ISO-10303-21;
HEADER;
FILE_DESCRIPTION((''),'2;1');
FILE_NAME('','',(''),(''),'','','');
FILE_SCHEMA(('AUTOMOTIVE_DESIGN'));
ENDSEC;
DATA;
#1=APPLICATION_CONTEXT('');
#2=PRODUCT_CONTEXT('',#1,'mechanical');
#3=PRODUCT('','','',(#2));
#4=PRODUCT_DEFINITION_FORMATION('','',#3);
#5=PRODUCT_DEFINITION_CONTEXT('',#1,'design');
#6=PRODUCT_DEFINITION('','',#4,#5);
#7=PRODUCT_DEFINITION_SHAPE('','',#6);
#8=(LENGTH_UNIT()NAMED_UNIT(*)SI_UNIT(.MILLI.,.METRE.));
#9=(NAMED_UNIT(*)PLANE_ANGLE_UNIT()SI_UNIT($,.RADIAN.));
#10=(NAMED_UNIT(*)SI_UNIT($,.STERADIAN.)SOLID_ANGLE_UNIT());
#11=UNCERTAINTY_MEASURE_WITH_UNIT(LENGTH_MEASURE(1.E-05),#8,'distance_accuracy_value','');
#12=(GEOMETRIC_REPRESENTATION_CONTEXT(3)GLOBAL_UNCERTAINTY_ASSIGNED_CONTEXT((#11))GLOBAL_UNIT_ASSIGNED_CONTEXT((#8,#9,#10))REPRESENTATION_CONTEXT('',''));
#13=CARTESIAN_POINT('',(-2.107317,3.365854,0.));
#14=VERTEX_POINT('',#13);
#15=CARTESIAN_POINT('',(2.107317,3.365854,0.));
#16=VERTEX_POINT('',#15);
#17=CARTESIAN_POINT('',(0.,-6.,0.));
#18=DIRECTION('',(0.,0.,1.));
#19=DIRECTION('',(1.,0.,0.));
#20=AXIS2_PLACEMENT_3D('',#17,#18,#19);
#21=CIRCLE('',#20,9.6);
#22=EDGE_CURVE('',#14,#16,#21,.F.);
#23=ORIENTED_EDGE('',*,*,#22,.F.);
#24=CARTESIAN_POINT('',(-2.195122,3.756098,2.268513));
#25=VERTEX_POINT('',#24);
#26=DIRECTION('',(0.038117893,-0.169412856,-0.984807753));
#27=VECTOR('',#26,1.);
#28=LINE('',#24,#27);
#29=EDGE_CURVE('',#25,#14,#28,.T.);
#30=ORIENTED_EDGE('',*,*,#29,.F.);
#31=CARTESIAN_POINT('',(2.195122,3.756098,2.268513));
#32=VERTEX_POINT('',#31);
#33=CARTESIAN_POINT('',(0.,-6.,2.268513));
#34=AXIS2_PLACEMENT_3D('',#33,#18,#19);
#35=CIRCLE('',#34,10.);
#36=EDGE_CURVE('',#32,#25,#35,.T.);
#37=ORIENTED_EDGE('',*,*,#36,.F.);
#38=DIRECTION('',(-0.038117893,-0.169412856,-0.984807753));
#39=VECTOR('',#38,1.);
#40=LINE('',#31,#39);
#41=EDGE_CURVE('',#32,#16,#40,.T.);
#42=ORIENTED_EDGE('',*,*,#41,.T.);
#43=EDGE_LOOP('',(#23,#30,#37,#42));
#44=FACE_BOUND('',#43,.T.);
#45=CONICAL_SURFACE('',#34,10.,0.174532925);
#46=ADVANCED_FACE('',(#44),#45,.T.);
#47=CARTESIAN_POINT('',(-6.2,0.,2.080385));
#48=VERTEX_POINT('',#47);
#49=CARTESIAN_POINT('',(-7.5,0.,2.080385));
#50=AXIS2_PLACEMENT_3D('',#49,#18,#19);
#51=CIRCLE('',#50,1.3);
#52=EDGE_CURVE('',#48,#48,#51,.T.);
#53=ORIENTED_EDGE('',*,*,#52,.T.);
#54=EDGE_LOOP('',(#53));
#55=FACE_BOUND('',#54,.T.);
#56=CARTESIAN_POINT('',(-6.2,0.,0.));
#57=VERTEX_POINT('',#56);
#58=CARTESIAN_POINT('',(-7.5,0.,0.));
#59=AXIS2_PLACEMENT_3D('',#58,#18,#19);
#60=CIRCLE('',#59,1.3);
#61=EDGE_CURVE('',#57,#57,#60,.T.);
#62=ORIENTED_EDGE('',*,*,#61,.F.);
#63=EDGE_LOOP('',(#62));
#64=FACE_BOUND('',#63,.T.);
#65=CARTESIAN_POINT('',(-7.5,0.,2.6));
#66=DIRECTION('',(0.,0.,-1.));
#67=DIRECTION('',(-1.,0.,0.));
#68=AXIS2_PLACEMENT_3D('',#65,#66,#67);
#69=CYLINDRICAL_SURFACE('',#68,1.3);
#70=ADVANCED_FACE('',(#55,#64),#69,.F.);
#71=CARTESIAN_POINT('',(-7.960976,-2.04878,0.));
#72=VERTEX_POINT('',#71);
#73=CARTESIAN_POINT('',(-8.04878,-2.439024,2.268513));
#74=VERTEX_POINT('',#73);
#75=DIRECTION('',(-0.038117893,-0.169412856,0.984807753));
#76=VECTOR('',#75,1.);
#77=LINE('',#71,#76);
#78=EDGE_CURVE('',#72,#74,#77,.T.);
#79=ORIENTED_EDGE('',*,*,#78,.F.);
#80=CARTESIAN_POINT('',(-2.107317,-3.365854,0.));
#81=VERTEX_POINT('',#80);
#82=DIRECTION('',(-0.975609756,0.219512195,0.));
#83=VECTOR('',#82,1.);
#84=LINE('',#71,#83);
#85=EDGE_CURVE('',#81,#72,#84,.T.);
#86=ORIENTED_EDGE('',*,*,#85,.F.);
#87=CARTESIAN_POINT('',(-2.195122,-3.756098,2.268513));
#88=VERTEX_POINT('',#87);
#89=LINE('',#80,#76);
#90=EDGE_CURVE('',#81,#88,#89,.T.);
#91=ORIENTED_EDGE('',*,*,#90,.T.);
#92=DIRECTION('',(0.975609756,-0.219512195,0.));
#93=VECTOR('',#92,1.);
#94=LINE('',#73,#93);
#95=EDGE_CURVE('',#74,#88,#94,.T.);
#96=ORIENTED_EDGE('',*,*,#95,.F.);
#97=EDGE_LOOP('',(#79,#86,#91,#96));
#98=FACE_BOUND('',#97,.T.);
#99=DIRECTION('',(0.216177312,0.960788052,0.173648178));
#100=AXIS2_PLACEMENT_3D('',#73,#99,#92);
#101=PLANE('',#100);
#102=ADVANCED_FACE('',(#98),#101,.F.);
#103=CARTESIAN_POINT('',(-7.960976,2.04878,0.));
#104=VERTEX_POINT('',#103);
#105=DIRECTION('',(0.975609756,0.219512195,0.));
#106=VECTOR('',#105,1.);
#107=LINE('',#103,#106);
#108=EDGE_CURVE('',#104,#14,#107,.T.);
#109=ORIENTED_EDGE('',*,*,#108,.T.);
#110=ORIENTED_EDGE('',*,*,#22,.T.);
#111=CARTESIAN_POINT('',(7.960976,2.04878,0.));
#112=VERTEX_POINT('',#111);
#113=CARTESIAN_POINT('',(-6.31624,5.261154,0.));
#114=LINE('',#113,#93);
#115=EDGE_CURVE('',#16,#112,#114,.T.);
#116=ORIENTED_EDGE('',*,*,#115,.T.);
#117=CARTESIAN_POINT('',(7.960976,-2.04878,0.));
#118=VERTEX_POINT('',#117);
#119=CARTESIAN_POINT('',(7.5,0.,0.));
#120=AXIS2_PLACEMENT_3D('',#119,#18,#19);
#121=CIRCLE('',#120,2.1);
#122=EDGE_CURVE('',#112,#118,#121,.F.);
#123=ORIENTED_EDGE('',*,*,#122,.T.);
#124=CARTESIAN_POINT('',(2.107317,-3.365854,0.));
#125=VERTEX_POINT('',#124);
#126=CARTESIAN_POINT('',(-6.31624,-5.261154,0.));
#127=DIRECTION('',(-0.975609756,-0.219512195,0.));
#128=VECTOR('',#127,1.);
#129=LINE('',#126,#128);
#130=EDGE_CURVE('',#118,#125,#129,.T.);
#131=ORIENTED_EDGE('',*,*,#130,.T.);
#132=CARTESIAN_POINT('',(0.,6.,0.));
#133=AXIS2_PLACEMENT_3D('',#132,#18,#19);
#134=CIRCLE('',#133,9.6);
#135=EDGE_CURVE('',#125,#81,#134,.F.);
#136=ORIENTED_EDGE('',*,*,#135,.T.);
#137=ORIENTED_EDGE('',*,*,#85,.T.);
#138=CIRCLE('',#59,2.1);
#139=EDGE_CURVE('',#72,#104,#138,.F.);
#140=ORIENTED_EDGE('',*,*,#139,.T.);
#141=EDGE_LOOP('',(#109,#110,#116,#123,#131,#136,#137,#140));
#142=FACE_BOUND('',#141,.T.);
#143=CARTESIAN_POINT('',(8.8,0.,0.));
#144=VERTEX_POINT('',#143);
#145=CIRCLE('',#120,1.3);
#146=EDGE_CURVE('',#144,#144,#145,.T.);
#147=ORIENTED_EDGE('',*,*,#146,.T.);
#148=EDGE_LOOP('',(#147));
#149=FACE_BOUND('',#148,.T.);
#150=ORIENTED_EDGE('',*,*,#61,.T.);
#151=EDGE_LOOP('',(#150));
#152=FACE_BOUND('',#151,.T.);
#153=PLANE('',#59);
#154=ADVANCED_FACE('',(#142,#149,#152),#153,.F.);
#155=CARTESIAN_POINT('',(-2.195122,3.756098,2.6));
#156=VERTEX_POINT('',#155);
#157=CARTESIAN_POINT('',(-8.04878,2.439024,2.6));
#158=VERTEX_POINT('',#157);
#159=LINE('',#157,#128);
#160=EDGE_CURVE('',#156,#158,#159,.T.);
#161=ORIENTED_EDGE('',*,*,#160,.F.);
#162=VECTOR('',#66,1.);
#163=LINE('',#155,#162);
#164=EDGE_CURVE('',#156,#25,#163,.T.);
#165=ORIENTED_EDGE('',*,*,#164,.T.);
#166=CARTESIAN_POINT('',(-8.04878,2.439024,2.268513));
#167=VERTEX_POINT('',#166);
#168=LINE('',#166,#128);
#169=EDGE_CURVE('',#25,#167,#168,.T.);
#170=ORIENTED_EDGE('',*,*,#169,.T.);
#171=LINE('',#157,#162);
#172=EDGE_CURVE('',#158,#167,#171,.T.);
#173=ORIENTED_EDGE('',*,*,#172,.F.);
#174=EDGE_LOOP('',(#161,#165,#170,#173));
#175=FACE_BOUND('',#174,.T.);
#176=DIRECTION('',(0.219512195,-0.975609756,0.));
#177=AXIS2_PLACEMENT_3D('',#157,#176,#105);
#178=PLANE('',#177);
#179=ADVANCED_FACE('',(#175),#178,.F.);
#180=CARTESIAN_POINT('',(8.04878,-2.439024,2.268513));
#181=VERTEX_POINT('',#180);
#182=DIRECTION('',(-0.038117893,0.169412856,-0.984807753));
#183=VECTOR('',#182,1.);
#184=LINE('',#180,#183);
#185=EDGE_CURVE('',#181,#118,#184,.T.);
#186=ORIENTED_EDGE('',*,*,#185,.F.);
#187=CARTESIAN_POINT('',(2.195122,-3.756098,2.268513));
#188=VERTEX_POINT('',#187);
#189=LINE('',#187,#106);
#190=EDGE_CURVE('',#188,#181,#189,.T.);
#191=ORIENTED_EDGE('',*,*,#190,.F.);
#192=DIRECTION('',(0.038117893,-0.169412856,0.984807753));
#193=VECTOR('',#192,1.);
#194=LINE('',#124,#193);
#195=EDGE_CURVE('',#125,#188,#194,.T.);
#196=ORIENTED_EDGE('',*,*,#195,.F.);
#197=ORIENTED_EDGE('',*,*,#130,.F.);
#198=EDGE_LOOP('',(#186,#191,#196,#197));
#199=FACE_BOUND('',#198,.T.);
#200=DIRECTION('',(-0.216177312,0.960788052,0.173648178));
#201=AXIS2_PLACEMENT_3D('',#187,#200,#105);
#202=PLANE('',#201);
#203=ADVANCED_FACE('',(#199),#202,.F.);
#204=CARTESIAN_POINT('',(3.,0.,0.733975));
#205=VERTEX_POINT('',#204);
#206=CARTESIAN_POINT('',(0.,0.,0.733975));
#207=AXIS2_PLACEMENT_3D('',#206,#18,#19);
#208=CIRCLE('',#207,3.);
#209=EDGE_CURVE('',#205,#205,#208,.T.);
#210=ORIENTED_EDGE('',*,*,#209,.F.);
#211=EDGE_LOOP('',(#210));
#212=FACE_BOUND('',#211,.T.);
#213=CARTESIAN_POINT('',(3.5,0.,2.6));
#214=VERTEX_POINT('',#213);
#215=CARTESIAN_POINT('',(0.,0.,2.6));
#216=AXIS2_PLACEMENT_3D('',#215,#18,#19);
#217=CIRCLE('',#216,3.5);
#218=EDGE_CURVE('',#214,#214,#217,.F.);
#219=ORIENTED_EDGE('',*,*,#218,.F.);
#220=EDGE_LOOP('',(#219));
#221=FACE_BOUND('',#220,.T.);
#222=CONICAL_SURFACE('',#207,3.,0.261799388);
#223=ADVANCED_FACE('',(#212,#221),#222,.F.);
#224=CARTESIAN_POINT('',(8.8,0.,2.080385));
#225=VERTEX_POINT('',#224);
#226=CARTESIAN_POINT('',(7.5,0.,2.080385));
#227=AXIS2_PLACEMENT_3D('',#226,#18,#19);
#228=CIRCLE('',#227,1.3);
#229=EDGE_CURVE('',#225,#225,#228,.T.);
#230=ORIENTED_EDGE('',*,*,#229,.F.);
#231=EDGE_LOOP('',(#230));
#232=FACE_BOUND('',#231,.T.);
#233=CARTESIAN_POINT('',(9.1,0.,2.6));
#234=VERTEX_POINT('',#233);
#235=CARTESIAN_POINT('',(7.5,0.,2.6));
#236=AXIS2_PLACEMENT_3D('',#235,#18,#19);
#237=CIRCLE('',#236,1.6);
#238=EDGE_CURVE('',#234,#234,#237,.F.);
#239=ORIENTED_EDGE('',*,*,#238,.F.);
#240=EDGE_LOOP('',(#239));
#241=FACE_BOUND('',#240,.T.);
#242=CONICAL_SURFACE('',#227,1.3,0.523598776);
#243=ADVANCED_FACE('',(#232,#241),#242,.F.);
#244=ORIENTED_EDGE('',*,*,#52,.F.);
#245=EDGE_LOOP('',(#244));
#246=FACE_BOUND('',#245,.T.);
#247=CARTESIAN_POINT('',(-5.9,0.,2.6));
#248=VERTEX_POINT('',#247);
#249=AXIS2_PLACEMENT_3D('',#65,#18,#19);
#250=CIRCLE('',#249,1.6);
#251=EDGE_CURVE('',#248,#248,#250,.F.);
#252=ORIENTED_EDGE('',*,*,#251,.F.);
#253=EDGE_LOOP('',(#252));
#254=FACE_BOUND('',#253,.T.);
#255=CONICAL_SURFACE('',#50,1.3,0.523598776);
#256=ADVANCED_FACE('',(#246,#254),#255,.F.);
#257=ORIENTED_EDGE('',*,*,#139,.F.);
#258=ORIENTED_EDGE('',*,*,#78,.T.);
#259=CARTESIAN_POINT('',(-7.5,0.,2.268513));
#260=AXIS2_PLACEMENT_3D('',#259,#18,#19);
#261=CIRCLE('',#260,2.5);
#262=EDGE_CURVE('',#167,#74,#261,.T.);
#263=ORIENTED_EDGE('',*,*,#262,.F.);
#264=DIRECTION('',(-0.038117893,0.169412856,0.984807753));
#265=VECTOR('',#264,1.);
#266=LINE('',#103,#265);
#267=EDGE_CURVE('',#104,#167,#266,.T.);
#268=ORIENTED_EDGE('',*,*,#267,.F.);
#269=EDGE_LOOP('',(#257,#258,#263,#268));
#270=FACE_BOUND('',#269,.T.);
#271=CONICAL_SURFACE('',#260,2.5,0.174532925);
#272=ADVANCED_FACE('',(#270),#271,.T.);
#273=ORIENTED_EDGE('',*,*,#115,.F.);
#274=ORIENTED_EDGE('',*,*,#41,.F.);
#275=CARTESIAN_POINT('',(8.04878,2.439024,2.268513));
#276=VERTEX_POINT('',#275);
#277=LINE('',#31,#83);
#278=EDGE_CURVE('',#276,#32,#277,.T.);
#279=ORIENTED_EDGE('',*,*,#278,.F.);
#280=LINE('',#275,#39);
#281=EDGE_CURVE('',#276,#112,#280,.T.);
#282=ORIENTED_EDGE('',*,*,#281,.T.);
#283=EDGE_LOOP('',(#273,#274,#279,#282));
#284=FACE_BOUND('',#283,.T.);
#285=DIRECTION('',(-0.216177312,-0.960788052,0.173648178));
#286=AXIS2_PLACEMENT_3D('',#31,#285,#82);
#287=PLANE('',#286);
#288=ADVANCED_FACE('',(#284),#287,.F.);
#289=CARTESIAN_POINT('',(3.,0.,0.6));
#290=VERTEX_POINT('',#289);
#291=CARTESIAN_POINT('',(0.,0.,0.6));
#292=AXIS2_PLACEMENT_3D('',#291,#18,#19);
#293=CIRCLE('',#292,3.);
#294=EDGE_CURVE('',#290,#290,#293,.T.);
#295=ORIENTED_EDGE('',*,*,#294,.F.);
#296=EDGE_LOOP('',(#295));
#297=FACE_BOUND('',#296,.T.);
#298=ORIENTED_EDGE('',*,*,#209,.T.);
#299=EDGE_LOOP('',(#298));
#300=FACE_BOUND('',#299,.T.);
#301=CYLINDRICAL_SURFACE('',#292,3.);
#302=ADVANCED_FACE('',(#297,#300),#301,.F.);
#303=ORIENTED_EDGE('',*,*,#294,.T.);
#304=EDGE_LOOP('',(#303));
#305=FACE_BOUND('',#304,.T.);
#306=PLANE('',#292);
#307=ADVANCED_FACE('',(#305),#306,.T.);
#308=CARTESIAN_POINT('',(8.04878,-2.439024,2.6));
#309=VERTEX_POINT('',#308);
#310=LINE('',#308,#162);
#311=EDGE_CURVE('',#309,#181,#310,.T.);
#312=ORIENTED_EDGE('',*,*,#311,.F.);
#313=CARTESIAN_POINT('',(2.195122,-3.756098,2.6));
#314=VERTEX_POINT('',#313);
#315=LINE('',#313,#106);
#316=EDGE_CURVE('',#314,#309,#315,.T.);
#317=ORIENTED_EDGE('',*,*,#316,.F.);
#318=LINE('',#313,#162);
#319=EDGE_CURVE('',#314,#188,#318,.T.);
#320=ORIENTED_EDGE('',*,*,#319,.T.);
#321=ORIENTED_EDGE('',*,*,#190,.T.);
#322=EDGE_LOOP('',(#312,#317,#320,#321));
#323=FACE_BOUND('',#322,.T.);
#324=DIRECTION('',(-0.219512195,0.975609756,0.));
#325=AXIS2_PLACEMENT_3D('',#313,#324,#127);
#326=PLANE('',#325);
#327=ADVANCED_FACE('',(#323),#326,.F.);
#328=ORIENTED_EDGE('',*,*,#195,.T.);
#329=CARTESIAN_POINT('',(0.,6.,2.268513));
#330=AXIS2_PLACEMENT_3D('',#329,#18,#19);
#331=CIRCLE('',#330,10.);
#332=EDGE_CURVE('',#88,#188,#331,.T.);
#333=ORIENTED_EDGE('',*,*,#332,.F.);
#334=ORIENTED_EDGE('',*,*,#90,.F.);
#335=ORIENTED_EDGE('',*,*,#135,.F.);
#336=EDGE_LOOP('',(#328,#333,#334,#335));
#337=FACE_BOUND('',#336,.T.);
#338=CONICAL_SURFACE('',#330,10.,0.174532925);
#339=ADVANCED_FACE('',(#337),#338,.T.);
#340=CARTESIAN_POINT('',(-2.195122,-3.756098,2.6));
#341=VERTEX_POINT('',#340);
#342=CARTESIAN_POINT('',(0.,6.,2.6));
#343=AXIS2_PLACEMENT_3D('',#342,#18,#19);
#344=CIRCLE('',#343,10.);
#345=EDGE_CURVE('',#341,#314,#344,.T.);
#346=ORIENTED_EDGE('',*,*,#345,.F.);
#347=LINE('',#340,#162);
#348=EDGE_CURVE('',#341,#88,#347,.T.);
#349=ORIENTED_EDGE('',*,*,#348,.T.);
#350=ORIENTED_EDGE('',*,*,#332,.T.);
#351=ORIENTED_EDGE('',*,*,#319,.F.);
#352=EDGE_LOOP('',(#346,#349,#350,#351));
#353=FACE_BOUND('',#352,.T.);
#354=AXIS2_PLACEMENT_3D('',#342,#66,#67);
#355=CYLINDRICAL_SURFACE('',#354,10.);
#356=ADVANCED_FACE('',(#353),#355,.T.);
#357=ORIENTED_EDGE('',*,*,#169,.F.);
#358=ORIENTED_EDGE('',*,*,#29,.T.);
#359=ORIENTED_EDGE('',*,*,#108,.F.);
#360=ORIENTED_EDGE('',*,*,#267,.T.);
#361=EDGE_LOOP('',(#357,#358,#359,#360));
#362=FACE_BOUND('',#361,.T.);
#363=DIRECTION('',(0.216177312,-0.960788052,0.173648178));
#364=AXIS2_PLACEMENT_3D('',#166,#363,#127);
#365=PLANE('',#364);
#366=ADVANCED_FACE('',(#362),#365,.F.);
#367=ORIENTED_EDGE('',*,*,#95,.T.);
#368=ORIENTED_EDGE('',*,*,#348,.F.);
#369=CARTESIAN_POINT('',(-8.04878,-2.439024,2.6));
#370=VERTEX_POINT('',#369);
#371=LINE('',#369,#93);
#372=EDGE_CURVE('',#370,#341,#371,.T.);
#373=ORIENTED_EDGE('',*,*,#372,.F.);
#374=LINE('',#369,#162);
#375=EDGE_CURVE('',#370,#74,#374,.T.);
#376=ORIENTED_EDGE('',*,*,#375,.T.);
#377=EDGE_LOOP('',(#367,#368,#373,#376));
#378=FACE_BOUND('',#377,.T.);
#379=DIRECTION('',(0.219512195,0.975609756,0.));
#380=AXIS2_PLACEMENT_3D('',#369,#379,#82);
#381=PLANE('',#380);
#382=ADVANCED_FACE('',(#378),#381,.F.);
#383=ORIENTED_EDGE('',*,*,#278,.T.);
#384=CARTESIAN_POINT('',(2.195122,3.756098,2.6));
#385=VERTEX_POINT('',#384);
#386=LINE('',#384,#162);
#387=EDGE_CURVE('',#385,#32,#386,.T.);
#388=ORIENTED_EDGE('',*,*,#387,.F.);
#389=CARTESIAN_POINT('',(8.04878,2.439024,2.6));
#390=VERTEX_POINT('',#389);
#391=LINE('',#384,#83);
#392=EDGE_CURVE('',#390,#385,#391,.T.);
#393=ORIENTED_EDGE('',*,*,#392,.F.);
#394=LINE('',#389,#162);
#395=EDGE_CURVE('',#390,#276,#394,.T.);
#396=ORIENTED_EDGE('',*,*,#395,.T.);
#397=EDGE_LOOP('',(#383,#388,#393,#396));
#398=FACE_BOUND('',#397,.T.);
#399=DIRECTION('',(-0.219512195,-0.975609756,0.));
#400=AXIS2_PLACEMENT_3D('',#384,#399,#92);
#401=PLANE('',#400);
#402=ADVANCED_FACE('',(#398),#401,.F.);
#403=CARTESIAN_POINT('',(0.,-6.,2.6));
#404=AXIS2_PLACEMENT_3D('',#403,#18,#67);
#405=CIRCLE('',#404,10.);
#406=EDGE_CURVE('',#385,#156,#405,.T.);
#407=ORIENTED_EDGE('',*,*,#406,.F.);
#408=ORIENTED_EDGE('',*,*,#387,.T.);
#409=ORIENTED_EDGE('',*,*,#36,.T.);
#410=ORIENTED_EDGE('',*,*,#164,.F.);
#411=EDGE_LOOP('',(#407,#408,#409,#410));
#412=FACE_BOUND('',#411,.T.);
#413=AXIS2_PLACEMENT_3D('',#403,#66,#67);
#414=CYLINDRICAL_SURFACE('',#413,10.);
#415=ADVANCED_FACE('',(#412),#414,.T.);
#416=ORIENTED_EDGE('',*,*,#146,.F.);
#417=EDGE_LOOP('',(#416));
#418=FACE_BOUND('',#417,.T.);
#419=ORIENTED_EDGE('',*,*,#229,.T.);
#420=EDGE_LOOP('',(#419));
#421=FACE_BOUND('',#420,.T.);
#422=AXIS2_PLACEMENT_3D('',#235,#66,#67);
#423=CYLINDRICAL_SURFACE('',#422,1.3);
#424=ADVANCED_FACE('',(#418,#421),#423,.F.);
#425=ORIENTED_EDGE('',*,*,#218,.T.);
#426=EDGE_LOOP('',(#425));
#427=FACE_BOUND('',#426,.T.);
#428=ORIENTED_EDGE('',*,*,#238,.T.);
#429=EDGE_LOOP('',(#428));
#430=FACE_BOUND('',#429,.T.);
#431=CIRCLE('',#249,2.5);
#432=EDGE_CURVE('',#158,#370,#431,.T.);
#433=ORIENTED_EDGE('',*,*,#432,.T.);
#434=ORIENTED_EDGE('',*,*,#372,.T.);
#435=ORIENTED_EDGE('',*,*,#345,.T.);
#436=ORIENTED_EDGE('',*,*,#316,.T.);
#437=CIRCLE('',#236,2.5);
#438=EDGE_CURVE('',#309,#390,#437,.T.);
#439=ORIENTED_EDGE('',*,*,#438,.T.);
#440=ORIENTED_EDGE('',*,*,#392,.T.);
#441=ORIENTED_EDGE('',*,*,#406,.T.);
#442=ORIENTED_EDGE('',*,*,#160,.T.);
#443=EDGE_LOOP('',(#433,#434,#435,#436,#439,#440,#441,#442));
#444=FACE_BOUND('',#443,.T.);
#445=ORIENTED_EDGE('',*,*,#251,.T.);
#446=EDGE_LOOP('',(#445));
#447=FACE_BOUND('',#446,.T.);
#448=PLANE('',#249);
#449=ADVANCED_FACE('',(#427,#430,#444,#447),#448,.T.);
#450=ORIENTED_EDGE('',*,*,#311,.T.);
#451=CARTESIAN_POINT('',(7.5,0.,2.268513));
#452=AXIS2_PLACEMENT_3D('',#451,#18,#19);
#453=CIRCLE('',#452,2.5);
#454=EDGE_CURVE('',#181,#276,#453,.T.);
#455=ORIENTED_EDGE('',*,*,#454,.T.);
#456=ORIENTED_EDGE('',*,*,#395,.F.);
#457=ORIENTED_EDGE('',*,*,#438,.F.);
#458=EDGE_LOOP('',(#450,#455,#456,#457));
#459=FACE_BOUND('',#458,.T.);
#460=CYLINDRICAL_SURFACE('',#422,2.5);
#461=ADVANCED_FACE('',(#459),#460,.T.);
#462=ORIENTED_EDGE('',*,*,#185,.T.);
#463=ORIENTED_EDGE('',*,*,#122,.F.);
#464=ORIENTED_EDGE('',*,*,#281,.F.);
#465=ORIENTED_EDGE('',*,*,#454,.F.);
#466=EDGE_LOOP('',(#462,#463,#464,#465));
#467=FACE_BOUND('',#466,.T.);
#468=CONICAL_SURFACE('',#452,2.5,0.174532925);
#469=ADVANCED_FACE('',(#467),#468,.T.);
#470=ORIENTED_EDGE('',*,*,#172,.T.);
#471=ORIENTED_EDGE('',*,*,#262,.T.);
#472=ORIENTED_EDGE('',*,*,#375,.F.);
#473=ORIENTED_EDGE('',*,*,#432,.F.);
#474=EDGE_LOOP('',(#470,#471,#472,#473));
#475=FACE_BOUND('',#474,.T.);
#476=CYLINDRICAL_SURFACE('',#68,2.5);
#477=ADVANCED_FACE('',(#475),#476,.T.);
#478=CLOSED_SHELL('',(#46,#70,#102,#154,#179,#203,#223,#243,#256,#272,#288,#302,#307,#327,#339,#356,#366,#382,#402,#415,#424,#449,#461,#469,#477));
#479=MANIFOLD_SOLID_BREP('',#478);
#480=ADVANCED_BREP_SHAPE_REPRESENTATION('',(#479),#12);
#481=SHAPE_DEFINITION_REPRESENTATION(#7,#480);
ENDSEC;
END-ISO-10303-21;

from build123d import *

# Parameters (mm, degrees)
SKETCH1_R           = 1.3
BOSS_EXTRUDE1_DEPTH = 2.6
SKETCH2_R           = 3
CUT_EXTRUDE1_DEPTH  = 2
CHAMFER1_SIZE       = 0.4
CHAMFER1_SIZE2      = 2.268512728
CHAMFER2_SIZE       = 0.5
CHAMFER2_SIZE2      = 1.866025404
CHAMFER3_SIZE       = 0.3
CHAMFER3_SIZE2      = 0.519615242


with BuildPart() as part:
    # Sketch1 → Boss-Extrude1 (new body)
    with BuildSketch(Plane.XY):
        with BuildLine():
            Line((-8.048780488, 2.43902439), (-2.195121951, 3.756097561))
            ThreePointArc((-2.195121951, 3.756097561), (0, 4), (2.195121951, 3.756097561))
            Line((2.195121951, 3.756097561), (8.048780488, 2.43902439))
            ThreePointArc((8.048780488, 2.43902439), (10, 0), (8.048780488, -2.43902439))
            Line((8.048780488, -2.43902439), (2.195121951, -3.756097561))
            ThreePointArc((2.195121951, -3.756097561), (0, -4), (-2.195121951, -3.756097561))
            Line((-2.195121951, -3.756097561), (-8.048780488, -2.43902439))
            ThreePointArc((-8.048780488, -2.43902439), (-10, 0), (-8.048780488, 2.43902439))
        make_face()
        with Locations((7.5, 0)):
            Circle(SKETCH1_R, mode=Mode.SUBTRACT)
        with Locations((-7.5, 0)):
            Circle(SKETCH1_R, mode=Mode.SUBTRACT)
    extrude(amount=BOSS_EXTRUDE1_DEPTH)

    # Sketch2 → Cut-Extrude1 (cut)
    with BuildSketch(Plane.XY.offset(2.6)):
        Circle(SKETCH2_R)
    extrude(amount=-CUT_EXTRUDE1_DEPTH, mode=Mode.SUBTRACT)

    # Chamfer1
    chamfer1_edges = [part.edges().sort_by_distance(p)[0] for p in [
        (-5.12195122, -3.097560976, 0),
        (-10, 0, 0),
        (-5.12195122, 3.097560976, 0),
        (0, 4, 0),
        (5.12195122, 3.097560976, 0),
        (10, 0, 0),
        (5.12195122, -3.097560976, 0),
        (0, -4, 0),
    ]]
    chamfer1_side = [part.faces().sort_by_distance(p)[0] for p in [
        (0, 0, 0),
    ]]
    chamfer(chamfer1_edges, length=CHAMFER1_SIZE, length2=CHAMFER1_SIZE2, reference=chamfer1_side[0])

    # Chamfer2
    chamfer2_edges = [part.edges().sort_by_distance(p)[0] for p in [
        (-3, 0, 2.6),
    ]]
    chamfer2_side = [part.faces().sort_by_distance(p)[0] for p in [
        (-5.074666846, 2.887408203, 2.6),
    ]]
    chamfer(chamfer2_edges, length=CHAMFER2_SIZE, length2=CHAMFER2_SIZE2, reference=chamfer2_side[0])

    # Chamfer3
    chamfer3_edges = [part.edges().sort_by_distance(p)[0] for p in [
        (6.2, 0, 2.6),
        (-8.8, 0, 2.6),
    ]]
    chamfer3_side = [part.faces().sort_by_distance(p)[0] for p in [
        (-3.715406592, 0, 2.6),
    ]]
    chamfer(chamfer3_edges, length=CHAMFER3_SIZE, length2=CHAMFER3_SIZE2, reference=chamfer3_side[0])


solid = part.part
